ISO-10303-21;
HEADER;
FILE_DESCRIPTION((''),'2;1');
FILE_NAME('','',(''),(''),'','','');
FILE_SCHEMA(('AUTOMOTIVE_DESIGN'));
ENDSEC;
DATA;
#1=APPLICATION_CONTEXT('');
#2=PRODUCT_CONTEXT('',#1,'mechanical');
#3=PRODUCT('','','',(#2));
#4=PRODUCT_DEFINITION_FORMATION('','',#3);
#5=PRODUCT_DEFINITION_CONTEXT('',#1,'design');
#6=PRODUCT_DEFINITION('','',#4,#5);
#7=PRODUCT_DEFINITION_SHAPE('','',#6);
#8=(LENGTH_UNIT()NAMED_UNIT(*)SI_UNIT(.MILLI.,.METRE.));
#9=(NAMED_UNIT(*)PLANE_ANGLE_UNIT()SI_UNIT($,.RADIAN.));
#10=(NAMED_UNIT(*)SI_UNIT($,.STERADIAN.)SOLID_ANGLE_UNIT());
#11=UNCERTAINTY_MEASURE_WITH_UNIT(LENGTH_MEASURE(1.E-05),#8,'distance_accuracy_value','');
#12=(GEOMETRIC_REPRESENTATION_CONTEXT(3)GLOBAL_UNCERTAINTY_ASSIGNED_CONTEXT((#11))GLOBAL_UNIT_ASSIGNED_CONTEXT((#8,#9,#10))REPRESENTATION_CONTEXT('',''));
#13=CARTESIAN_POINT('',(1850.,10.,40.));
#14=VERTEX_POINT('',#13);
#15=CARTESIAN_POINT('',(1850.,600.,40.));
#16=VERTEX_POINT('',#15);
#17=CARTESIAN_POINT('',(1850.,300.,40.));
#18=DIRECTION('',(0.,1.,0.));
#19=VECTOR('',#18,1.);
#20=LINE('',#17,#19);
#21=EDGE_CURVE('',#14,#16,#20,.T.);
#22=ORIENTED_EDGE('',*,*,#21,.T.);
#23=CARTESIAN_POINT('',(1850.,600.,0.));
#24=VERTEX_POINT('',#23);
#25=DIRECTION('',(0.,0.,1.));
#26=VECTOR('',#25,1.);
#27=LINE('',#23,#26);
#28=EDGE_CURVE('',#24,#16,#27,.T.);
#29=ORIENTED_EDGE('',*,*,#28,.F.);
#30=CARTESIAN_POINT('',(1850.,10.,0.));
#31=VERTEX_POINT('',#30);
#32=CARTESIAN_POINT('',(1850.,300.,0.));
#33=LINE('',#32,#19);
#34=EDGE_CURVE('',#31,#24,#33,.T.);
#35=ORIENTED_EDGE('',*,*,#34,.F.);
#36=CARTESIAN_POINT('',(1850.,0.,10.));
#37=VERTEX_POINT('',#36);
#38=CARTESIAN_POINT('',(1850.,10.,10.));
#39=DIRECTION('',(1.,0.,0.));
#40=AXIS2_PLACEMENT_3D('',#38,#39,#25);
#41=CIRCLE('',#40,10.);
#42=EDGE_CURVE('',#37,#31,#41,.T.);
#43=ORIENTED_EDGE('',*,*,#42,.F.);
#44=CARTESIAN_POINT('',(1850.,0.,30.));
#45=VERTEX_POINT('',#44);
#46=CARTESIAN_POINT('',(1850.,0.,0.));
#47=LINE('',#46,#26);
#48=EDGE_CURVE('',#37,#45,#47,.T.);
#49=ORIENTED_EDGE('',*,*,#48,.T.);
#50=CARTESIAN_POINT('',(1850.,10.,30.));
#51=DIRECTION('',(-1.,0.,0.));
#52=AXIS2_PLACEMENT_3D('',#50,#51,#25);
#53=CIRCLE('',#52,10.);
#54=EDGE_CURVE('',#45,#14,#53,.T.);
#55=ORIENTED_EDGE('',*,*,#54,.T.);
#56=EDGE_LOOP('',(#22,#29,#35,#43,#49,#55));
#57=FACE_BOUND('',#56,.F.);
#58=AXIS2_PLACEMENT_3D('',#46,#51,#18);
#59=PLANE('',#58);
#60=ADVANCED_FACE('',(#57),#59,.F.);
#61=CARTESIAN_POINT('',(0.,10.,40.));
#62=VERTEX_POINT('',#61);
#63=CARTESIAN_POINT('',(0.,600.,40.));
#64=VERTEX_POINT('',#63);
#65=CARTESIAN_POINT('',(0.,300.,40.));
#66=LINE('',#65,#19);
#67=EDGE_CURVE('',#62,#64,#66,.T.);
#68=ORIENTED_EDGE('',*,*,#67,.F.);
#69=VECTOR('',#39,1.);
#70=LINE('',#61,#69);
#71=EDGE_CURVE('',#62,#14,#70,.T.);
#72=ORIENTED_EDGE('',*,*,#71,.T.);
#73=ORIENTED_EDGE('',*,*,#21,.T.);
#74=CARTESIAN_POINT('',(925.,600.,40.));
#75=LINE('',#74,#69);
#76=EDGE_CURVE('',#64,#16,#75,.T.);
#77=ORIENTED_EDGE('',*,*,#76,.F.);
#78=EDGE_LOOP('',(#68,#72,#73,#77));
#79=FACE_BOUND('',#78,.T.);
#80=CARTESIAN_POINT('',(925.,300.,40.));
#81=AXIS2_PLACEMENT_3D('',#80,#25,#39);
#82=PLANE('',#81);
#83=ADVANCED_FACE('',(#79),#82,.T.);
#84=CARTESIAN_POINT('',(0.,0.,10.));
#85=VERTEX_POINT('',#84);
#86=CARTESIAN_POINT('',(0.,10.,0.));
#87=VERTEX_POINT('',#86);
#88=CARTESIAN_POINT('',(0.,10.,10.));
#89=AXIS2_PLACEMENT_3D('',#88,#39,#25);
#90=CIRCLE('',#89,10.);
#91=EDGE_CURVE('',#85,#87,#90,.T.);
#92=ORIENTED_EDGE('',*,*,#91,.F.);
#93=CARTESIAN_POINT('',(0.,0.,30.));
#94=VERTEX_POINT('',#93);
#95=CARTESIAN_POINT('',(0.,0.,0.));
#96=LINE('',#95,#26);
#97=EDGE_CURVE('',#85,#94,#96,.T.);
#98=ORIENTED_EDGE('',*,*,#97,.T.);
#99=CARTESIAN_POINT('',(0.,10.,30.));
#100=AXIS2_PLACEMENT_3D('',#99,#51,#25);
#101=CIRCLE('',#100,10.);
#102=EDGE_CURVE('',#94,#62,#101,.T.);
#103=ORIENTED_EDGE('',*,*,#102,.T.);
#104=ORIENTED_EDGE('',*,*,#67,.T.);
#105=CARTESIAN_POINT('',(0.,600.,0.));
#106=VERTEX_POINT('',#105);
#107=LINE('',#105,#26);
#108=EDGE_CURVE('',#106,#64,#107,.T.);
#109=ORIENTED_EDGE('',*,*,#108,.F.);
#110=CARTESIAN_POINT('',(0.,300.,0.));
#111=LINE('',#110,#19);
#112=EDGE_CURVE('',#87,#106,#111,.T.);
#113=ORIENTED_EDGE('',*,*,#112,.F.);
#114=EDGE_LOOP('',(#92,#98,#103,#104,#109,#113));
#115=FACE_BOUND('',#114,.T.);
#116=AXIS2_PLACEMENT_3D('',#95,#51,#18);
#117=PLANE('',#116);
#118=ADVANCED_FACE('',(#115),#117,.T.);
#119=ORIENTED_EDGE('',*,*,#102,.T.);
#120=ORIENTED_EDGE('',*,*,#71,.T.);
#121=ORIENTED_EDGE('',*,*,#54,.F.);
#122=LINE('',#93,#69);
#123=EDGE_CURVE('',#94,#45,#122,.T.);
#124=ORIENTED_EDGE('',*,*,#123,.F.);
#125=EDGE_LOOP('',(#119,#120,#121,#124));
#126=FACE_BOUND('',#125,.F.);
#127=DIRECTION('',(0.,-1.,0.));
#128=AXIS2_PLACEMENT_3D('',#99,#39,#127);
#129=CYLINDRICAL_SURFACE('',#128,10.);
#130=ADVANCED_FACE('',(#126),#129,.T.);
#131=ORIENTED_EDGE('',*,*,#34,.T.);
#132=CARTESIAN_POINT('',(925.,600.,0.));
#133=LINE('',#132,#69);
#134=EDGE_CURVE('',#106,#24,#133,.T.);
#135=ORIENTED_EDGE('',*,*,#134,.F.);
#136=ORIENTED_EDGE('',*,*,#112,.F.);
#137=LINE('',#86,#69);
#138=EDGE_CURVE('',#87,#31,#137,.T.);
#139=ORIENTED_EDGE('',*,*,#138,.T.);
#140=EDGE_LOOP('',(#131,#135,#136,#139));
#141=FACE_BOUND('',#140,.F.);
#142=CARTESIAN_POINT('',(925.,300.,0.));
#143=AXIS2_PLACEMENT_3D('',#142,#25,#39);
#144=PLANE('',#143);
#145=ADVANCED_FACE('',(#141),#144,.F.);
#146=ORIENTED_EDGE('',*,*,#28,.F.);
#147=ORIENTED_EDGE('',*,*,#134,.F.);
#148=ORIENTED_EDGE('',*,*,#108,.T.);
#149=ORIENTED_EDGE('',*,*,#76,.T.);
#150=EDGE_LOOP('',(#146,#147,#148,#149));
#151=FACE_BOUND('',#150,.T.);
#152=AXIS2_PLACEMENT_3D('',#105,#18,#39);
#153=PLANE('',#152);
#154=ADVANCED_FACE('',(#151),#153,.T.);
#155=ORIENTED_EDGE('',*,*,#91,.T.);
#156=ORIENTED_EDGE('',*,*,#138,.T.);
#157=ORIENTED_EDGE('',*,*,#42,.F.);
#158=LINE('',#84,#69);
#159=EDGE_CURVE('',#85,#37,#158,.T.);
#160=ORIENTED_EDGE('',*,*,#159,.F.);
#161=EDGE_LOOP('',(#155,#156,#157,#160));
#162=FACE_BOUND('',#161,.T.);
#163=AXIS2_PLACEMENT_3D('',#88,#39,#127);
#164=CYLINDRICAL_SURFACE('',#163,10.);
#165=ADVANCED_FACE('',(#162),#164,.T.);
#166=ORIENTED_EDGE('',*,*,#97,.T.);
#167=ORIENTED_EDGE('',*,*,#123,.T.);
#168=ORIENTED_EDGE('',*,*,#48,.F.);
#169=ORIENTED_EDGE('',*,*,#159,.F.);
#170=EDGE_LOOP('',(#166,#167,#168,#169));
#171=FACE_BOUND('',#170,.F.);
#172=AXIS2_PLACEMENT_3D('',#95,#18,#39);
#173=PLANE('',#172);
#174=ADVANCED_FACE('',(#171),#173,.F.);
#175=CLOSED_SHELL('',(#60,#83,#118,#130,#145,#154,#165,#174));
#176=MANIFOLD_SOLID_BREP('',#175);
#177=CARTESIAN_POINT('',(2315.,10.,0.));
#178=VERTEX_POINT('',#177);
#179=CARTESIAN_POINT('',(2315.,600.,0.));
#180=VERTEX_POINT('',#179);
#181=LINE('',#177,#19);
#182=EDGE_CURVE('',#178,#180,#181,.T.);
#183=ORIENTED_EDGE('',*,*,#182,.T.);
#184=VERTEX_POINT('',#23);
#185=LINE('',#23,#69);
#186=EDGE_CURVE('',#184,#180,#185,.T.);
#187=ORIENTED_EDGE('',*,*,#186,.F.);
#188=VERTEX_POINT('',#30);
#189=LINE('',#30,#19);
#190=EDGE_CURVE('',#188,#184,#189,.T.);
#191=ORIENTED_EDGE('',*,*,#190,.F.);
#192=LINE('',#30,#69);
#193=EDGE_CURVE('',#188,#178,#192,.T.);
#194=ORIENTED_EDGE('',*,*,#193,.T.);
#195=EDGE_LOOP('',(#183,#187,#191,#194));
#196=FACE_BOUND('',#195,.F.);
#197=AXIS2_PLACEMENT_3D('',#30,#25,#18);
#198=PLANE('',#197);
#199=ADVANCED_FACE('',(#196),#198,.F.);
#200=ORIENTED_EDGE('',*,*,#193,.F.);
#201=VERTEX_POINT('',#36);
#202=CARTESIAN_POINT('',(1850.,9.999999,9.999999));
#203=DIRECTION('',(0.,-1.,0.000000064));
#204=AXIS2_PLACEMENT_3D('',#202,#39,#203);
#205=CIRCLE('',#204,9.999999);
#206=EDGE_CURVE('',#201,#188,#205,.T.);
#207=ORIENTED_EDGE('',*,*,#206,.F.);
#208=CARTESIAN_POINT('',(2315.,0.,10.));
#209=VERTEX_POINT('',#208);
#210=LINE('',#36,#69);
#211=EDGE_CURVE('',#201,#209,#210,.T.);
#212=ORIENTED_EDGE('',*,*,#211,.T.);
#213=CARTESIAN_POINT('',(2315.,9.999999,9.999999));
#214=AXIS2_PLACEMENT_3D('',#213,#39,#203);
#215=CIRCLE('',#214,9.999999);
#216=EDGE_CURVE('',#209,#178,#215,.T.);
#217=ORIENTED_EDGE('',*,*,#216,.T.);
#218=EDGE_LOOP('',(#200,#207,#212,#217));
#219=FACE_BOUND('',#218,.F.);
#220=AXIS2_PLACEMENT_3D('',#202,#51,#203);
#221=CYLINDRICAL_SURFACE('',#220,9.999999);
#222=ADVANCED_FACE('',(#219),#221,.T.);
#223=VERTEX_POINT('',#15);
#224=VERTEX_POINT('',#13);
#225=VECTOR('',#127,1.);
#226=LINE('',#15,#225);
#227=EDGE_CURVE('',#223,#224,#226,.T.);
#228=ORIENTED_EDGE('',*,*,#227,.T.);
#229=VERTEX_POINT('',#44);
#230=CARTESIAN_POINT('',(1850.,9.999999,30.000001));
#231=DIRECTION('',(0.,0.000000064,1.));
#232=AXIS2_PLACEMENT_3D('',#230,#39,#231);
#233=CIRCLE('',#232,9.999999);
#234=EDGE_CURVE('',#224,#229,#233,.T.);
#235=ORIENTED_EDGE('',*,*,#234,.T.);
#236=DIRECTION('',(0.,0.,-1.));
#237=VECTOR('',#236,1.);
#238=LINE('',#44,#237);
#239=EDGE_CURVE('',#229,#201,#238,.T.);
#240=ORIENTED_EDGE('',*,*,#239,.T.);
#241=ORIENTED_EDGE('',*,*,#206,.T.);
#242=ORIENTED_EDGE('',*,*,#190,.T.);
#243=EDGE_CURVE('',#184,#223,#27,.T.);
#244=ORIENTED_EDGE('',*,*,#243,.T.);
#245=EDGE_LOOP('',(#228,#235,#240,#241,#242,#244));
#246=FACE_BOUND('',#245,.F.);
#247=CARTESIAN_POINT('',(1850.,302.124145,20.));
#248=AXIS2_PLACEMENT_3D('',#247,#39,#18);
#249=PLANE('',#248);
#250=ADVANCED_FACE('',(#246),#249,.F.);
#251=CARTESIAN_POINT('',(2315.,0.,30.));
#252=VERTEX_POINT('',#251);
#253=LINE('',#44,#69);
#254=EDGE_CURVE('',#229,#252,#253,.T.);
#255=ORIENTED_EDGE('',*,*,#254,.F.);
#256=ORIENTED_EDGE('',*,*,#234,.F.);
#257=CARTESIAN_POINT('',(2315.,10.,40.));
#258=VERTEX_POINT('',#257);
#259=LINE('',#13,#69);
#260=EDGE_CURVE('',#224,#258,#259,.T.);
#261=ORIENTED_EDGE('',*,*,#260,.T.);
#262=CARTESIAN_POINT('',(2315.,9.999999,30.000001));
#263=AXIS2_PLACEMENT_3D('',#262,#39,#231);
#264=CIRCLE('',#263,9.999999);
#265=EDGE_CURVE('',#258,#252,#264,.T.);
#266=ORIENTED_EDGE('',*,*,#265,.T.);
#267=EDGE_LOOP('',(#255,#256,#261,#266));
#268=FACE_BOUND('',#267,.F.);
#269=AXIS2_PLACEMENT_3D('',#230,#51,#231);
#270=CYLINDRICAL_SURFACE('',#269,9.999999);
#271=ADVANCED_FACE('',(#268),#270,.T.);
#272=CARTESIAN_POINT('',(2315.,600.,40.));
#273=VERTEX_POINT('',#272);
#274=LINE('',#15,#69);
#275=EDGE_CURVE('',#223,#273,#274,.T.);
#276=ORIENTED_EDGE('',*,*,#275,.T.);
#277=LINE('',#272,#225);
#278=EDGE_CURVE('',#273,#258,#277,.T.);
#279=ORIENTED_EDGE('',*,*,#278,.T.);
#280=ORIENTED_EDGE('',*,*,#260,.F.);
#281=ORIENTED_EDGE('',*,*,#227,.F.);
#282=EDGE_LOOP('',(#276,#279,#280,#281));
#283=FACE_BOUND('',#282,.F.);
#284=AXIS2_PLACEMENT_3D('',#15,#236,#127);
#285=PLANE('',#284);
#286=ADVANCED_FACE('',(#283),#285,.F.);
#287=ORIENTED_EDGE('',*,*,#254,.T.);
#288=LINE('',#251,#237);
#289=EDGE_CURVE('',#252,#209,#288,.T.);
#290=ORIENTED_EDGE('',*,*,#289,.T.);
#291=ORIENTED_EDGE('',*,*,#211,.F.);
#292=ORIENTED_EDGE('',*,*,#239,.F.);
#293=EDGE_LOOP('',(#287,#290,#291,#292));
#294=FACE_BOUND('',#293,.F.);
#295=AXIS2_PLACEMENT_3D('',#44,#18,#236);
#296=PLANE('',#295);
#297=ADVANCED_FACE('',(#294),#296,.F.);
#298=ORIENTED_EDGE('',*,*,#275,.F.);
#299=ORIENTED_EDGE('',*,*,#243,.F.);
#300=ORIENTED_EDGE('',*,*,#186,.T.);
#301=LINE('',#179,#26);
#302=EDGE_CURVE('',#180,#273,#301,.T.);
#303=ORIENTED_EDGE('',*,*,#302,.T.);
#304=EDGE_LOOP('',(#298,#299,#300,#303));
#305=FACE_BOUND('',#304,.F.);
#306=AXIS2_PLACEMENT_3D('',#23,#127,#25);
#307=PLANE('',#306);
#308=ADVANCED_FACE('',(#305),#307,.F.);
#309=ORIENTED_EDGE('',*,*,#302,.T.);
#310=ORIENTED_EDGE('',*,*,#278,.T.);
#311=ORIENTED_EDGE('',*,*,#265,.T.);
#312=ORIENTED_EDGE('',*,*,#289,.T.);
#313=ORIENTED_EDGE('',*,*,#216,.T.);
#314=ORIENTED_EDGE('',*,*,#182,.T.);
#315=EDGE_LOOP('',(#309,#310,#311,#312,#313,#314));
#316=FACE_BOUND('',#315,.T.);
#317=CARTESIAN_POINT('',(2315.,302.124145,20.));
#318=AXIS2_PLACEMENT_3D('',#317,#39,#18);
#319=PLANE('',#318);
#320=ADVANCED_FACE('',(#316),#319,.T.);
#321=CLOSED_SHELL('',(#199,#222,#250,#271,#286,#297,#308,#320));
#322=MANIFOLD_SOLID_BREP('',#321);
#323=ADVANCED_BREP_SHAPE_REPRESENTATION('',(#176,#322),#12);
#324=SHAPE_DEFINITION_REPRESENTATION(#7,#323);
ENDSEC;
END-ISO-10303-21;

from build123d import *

# Parameters (mm, degrees)
F0_W     = 1850
F0_H     = 600
F1_DEPTH = 40
F2_R     = 10
F3_DEPTH = 465


with BuildPart() as f1:
    # F0 (on Top) → F1 (new body)
    with BuildSketch(Plane.XY):
        with Locations((925, 300)):
            Rectangle(F0_W, F0_H)
    extrude(amount=F1_DEPTH)

    # F2
    f2_edges = [f1.edges().sort_by_distance(p)[0] for p in [
        (925, 0, 40),
        (925, 0, 0),
    ]]
    fillet(f2_edges, radius=F2_R)


with BuildPart() as f3:
    # F1_face (on face) → F3 (new body)
    with BuildSketch(Plane(origin=(1850, 300.533464, 20), x_dir=(0, 1, 0), z_dir=(1, 0, 0))):
        with BuildLine():
            Line((-300.533464, 10), (-300.533464, -10))
            ThreePointArc((-300.533464, -10), (-297.604532, -17.071068), (-290.533464, -20))
            Line((-290.533464, -20), (299.466536, -20))
            Line((299.466536, -20), (299.466536, 20))
            Line((299.466536, 20), (-290.533464, 20))
            ThreePointArc((-290.533464, 20), (-297.604532, 17.071068), (-300.533464, 10))
        make_face()
    extrude(amount=F3_DEPTH)


solid = Compound([f1.part, f3.part])
